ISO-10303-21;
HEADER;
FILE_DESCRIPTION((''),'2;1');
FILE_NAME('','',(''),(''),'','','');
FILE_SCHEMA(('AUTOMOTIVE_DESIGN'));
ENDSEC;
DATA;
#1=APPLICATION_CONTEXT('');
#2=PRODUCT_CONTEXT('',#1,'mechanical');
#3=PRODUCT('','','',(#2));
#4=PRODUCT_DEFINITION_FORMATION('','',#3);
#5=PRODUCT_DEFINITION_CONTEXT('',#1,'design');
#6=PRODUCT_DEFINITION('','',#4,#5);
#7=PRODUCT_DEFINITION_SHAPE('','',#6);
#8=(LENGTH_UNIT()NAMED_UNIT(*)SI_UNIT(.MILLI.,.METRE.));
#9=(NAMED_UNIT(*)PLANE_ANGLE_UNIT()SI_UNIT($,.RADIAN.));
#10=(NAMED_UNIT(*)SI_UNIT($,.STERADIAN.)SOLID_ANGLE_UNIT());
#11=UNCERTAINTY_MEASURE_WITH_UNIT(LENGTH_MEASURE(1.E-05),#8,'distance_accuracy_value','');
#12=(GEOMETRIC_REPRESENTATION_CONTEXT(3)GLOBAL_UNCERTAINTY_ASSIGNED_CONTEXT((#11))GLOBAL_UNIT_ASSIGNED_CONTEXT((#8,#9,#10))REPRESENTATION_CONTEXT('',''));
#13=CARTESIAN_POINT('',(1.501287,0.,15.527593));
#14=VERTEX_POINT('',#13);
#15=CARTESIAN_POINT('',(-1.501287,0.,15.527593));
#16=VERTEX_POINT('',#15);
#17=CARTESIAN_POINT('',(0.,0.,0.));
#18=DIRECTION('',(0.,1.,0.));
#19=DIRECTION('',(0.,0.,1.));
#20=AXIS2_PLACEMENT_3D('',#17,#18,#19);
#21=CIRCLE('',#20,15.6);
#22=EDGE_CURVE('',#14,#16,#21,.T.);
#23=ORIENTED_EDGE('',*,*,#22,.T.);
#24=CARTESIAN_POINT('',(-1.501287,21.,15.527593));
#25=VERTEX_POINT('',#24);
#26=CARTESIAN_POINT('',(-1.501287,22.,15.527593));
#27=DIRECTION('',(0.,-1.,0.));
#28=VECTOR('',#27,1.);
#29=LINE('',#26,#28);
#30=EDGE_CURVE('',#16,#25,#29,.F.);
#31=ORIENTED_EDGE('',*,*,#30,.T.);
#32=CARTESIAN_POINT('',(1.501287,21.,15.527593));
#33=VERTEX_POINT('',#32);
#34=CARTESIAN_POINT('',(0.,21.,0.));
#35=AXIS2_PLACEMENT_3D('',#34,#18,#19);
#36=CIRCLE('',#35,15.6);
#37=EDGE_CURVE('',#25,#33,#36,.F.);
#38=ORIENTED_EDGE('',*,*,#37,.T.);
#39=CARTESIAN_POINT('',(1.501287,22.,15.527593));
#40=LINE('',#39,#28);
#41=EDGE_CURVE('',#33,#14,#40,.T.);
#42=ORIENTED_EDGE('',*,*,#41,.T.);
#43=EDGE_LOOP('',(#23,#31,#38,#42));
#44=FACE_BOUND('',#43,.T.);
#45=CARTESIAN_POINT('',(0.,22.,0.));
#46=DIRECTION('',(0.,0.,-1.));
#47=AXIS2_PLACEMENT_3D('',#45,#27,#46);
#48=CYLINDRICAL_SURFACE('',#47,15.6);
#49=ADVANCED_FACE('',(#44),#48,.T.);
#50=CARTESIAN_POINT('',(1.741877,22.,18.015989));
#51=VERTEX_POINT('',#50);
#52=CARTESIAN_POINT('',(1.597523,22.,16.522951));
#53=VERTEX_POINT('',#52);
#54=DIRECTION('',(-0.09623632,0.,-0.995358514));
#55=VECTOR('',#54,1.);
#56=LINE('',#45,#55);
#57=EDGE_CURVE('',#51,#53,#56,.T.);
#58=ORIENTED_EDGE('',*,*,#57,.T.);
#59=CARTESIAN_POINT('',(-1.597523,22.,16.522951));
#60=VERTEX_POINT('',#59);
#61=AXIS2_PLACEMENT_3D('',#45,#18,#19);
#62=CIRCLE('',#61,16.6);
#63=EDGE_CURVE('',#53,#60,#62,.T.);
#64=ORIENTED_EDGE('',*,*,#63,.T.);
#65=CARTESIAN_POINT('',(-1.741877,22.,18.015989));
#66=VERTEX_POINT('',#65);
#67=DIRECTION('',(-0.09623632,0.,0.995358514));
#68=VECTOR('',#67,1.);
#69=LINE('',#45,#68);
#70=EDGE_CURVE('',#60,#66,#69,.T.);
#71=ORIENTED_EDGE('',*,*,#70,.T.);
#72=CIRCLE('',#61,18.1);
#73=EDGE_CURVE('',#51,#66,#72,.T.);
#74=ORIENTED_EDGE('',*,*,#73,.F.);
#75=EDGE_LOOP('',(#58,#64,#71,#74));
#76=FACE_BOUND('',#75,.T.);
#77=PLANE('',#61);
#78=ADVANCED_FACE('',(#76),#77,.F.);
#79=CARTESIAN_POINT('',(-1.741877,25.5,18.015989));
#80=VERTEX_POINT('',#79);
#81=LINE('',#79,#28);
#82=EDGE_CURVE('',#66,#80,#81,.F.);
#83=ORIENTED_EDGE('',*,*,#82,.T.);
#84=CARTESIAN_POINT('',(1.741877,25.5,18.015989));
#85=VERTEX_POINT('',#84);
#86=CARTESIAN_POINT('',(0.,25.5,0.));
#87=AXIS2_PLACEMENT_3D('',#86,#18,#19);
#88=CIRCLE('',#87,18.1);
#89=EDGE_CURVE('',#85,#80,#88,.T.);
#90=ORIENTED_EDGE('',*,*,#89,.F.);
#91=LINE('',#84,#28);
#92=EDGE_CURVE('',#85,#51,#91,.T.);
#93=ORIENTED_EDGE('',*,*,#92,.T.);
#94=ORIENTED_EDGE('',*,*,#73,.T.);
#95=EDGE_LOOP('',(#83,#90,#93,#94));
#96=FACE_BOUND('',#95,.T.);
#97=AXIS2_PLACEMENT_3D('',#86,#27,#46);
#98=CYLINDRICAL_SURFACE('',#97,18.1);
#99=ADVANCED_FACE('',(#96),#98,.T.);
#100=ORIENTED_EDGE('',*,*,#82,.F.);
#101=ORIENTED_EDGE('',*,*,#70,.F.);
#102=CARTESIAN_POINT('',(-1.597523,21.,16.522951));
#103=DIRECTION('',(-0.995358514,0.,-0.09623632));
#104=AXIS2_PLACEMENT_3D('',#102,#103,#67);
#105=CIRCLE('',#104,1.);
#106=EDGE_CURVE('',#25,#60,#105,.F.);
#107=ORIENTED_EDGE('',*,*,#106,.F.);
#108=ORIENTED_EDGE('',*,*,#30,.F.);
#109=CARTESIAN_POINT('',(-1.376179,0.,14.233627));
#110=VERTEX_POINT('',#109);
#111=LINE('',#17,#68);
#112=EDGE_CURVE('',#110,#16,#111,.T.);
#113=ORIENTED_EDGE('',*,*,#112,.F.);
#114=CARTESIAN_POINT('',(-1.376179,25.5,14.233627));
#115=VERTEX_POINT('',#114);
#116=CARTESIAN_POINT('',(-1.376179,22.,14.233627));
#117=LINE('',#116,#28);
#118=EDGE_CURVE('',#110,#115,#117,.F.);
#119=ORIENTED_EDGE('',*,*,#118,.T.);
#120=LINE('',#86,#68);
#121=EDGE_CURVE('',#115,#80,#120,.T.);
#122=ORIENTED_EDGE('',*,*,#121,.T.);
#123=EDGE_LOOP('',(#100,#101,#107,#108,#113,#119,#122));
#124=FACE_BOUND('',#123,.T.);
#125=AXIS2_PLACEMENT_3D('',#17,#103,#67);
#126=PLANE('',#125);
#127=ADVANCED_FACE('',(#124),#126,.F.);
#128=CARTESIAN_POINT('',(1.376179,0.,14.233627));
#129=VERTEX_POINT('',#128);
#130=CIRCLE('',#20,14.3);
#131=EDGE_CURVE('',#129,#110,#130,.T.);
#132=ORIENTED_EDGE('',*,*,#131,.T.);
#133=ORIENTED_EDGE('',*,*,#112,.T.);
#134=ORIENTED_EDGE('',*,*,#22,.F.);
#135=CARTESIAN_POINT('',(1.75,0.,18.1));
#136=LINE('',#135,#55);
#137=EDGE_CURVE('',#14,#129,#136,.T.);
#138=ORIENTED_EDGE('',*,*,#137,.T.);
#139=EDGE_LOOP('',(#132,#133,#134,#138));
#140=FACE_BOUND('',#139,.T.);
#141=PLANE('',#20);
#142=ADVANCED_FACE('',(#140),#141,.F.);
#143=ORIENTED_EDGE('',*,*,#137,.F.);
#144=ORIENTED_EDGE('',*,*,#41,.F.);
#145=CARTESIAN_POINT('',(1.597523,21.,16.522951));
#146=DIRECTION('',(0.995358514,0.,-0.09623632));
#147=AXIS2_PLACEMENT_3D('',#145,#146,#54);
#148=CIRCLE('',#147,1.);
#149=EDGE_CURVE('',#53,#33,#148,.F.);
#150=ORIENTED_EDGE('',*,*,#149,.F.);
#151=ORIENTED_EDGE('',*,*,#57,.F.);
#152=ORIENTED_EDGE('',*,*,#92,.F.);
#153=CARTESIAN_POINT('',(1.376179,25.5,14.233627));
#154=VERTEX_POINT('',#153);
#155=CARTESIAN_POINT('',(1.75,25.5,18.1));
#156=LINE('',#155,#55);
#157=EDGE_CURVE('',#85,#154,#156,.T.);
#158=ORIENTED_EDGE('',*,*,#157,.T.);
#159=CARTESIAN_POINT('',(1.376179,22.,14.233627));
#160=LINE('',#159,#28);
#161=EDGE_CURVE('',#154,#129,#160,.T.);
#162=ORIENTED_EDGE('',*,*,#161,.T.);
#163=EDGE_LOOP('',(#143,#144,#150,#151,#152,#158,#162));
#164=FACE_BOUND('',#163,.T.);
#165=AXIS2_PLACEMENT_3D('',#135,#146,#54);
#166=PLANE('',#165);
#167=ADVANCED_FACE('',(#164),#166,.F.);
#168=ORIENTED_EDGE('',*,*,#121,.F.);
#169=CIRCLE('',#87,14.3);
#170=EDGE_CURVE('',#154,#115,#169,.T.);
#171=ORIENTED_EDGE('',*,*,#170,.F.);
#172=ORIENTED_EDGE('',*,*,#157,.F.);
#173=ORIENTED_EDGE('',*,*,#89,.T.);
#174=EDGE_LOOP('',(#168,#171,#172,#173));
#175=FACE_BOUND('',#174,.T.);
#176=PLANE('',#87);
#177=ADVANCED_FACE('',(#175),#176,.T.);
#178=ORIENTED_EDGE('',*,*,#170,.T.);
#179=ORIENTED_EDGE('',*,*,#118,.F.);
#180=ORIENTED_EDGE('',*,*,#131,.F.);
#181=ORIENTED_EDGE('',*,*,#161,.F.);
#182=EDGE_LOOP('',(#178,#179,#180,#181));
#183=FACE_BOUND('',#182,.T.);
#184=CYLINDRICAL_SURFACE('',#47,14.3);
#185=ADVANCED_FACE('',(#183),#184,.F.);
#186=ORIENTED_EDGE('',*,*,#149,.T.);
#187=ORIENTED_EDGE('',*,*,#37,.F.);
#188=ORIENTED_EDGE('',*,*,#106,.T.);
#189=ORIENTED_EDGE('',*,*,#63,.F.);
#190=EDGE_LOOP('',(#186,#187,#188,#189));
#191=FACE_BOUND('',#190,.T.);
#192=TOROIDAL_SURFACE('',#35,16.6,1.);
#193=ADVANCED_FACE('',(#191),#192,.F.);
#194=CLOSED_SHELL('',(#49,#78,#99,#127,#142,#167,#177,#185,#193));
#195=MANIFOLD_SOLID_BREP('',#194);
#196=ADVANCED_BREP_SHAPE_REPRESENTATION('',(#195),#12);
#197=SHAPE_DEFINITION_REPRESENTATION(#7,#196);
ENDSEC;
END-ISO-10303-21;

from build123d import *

# Parameters (mm, degrees)
SKETCH1_R           = 15.6
SKETCH1_R_2         = 14.3
BOSS_EXTRUDE1_DEPTH = 22
SKETCH2_R           = 18.1
SKETCH2_R_2         = 14.3
BOSS_EXTRUDE2_DEPTH = 3.5
FILLET1_R           = 1
CUT_EXTRUDE1_DEPTH  = 26.5


with BuildPart() as part:
    # Sketch1 → Boss-Extrude1 (new body)
    with BuildSketch(Plane(origin=(0, 0, 0), x_dir=(1, 0, 0), z_dir=(0, 1, 0))):
        Circle(SKETCH1_R)
        Circle(SKETCH1_R_2, mode=Mode.SUBTRACT)
    extrude(amount=BOSS_EXTRUDE1_DEPTH)

    # Sketch2 → Boss-Extrude2 (add)
    with BuildSketch(Plane(origin=(0, 22, 0), x_dir=(1, 0, 0), z_dir=(0, 1, 0))):
        Circle(SKETCH2_R)
        Circle(SKETCH2_R_2, mode=Mode.SUBTRACT)
    extrude(amount=BOSS_EXTRUDE2_DEPTH)

    # Fillet1
    fillet1_edges = [part.edges().sort_by_distance(p)[0] for p in [
        (-15.6, 22, 0),
    ]]
    fillet(fillet1_edges, radius=FILLET1_R)

    # Sketch3 → Cut-Extrude1 (cut, through all)
    with BuildSketch(Plane(origin=(0, 25.5, 0), x_dir=(1, 0, 0), z_dir=(0, 1, 0))):
        Polygon((0, 0), (-1.75, -18.1), (1.75, -18.1), align=None)
    extrude(amount=-CUT_EXTRUDE1_DEPTH, mode=Mode.SUBTRACT)


solid = part.part
